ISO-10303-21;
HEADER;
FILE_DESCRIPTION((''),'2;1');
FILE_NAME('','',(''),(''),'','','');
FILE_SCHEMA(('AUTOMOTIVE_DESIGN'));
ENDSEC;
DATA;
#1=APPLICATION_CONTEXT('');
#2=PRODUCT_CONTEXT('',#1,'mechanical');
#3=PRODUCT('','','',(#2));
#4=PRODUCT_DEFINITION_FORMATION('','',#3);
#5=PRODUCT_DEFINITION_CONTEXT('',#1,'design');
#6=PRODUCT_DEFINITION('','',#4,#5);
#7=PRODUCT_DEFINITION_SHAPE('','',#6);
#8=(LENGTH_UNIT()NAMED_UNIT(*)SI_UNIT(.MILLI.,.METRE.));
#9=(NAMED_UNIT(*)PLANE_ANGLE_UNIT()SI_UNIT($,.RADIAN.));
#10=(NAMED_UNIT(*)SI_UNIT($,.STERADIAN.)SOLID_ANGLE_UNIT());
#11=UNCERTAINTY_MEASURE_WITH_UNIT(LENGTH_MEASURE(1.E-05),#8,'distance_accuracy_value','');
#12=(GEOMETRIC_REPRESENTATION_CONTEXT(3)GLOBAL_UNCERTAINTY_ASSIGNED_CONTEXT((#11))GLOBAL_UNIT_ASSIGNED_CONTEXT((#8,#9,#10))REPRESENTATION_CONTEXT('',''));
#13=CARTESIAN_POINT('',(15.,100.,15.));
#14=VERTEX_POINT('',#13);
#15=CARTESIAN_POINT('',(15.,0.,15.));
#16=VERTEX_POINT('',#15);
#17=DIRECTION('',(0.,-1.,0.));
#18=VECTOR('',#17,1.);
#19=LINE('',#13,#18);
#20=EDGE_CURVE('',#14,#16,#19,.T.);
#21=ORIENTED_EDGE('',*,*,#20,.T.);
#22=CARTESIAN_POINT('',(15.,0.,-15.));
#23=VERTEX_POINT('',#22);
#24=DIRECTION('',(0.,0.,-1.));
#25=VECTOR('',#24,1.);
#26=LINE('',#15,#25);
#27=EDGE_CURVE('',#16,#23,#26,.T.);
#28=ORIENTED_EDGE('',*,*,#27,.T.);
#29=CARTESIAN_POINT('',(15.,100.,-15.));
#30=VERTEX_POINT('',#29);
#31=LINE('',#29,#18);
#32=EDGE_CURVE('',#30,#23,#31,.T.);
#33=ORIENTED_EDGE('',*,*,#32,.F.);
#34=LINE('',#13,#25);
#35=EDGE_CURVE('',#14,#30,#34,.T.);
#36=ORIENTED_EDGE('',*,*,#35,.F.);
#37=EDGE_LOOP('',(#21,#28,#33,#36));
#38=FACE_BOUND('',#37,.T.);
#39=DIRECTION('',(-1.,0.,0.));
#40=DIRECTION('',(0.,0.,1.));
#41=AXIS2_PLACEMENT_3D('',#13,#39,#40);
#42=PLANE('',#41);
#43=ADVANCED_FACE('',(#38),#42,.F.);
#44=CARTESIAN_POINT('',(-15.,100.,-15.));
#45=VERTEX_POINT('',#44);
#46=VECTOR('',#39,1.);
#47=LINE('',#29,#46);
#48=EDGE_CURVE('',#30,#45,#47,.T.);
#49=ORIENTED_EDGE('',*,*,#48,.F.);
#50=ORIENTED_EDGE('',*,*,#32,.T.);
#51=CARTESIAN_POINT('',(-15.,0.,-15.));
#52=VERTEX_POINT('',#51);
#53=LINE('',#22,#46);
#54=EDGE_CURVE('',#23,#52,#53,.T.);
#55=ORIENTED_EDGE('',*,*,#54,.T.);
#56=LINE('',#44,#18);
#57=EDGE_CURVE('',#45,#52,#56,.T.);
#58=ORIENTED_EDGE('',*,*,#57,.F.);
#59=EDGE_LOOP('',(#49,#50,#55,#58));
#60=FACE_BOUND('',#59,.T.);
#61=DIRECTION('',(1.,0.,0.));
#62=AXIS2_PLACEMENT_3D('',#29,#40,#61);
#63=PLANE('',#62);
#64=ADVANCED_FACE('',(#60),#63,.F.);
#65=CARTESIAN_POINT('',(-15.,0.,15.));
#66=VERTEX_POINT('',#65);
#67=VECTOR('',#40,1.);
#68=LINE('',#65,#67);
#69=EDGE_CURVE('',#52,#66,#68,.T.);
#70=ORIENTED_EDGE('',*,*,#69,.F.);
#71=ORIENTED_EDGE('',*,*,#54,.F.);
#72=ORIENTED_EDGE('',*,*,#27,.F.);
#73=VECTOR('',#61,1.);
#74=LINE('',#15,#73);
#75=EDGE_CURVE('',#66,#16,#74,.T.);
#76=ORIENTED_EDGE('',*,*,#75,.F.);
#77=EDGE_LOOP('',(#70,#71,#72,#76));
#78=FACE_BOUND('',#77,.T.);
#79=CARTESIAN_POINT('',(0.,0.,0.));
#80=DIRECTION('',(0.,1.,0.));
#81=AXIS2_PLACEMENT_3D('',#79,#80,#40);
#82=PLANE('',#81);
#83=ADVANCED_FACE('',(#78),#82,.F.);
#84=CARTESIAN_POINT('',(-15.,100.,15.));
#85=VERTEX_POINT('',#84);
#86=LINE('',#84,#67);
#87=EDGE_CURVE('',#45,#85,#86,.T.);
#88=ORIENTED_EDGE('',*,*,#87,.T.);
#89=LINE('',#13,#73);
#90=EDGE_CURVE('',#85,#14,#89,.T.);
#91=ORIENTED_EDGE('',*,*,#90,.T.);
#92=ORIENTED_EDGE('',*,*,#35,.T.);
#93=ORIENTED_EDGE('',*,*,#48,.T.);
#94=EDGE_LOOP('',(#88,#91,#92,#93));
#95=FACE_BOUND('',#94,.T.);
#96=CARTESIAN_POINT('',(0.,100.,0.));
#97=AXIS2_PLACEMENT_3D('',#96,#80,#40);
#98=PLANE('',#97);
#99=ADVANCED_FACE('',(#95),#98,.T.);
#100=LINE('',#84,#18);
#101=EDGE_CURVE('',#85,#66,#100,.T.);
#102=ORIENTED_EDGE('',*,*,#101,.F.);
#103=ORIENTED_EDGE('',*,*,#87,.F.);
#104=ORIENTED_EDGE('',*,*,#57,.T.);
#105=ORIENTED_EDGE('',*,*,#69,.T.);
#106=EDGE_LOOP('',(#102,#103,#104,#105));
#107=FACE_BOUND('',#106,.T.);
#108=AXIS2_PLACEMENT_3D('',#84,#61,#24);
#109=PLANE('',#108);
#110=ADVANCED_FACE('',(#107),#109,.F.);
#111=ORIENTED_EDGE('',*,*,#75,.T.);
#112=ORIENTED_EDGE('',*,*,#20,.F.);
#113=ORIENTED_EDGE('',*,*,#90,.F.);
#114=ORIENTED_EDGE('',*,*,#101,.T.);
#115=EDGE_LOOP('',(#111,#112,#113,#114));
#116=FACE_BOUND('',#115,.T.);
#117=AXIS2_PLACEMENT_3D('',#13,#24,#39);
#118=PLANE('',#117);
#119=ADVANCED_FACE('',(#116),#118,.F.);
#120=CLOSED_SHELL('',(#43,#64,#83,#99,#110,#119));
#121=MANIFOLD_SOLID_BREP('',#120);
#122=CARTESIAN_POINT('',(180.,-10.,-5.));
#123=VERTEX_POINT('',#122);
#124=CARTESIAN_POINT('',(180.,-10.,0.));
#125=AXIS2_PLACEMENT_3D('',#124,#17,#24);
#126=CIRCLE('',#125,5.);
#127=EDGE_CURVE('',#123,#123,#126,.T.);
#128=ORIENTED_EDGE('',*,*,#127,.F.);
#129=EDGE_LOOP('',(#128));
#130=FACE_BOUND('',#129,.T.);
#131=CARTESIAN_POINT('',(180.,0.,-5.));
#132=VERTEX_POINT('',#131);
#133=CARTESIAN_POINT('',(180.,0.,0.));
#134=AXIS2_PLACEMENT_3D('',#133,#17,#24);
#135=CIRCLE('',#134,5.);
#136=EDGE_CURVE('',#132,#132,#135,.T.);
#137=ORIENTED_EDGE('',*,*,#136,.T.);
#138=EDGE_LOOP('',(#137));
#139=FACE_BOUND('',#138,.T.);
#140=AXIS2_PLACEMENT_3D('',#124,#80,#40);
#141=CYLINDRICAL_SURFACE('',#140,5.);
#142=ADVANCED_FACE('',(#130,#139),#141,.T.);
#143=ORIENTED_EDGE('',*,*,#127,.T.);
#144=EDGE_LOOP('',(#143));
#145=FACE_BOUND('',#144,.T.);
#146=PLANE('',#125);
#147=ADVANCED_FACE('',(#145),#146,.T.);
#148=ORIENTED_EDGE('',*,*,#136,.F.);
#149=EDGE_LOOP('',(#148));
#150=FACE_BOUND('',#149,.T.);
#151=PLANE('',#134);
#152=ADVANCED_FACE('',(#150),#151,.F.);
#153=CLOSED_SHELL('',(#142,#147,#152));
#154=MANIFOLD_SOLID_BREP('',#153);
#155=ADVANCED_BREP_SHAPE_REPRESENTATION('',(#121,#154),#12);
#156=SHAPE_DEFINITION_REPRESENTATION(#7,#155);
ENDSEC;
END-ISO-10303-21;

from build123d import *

# Parameters (mm, degrees)
SKETCH1_W           = 30
SKETCH1_H           = 30
BOSS_EXTRUDE1_DEPTH = 100
SKETCH2_R           = 5
BOSS_EXTRUDE2_DEPTH = 10


with BuildPart() as part:
    # Sketch1 → Boss-Extrude1 (new body)
    with BuildSketch(Plane(origin=(0, 0, 0), x_dir=(1, 0, 0), z_dir=(0, 1, 0))):
        Rectangle(SKETCH1_W, SKETCH1_H)
    extrude(amount=BOSS_EXTRUDE1_DEPTH)


with BuildPart() as body_2:
    # Sketch2 → Boss-Extrude2 (new body)
    with BuildSketch(Plane.XZ):
        with Locations(Location((180, 0, 0), (0, 0, 270))):
            Circle(SKETCH2_R)
    extrude(amount=BOSS_EXTRUDE2_DEPTH)


solid = Compound([part.part, body_2.part])
